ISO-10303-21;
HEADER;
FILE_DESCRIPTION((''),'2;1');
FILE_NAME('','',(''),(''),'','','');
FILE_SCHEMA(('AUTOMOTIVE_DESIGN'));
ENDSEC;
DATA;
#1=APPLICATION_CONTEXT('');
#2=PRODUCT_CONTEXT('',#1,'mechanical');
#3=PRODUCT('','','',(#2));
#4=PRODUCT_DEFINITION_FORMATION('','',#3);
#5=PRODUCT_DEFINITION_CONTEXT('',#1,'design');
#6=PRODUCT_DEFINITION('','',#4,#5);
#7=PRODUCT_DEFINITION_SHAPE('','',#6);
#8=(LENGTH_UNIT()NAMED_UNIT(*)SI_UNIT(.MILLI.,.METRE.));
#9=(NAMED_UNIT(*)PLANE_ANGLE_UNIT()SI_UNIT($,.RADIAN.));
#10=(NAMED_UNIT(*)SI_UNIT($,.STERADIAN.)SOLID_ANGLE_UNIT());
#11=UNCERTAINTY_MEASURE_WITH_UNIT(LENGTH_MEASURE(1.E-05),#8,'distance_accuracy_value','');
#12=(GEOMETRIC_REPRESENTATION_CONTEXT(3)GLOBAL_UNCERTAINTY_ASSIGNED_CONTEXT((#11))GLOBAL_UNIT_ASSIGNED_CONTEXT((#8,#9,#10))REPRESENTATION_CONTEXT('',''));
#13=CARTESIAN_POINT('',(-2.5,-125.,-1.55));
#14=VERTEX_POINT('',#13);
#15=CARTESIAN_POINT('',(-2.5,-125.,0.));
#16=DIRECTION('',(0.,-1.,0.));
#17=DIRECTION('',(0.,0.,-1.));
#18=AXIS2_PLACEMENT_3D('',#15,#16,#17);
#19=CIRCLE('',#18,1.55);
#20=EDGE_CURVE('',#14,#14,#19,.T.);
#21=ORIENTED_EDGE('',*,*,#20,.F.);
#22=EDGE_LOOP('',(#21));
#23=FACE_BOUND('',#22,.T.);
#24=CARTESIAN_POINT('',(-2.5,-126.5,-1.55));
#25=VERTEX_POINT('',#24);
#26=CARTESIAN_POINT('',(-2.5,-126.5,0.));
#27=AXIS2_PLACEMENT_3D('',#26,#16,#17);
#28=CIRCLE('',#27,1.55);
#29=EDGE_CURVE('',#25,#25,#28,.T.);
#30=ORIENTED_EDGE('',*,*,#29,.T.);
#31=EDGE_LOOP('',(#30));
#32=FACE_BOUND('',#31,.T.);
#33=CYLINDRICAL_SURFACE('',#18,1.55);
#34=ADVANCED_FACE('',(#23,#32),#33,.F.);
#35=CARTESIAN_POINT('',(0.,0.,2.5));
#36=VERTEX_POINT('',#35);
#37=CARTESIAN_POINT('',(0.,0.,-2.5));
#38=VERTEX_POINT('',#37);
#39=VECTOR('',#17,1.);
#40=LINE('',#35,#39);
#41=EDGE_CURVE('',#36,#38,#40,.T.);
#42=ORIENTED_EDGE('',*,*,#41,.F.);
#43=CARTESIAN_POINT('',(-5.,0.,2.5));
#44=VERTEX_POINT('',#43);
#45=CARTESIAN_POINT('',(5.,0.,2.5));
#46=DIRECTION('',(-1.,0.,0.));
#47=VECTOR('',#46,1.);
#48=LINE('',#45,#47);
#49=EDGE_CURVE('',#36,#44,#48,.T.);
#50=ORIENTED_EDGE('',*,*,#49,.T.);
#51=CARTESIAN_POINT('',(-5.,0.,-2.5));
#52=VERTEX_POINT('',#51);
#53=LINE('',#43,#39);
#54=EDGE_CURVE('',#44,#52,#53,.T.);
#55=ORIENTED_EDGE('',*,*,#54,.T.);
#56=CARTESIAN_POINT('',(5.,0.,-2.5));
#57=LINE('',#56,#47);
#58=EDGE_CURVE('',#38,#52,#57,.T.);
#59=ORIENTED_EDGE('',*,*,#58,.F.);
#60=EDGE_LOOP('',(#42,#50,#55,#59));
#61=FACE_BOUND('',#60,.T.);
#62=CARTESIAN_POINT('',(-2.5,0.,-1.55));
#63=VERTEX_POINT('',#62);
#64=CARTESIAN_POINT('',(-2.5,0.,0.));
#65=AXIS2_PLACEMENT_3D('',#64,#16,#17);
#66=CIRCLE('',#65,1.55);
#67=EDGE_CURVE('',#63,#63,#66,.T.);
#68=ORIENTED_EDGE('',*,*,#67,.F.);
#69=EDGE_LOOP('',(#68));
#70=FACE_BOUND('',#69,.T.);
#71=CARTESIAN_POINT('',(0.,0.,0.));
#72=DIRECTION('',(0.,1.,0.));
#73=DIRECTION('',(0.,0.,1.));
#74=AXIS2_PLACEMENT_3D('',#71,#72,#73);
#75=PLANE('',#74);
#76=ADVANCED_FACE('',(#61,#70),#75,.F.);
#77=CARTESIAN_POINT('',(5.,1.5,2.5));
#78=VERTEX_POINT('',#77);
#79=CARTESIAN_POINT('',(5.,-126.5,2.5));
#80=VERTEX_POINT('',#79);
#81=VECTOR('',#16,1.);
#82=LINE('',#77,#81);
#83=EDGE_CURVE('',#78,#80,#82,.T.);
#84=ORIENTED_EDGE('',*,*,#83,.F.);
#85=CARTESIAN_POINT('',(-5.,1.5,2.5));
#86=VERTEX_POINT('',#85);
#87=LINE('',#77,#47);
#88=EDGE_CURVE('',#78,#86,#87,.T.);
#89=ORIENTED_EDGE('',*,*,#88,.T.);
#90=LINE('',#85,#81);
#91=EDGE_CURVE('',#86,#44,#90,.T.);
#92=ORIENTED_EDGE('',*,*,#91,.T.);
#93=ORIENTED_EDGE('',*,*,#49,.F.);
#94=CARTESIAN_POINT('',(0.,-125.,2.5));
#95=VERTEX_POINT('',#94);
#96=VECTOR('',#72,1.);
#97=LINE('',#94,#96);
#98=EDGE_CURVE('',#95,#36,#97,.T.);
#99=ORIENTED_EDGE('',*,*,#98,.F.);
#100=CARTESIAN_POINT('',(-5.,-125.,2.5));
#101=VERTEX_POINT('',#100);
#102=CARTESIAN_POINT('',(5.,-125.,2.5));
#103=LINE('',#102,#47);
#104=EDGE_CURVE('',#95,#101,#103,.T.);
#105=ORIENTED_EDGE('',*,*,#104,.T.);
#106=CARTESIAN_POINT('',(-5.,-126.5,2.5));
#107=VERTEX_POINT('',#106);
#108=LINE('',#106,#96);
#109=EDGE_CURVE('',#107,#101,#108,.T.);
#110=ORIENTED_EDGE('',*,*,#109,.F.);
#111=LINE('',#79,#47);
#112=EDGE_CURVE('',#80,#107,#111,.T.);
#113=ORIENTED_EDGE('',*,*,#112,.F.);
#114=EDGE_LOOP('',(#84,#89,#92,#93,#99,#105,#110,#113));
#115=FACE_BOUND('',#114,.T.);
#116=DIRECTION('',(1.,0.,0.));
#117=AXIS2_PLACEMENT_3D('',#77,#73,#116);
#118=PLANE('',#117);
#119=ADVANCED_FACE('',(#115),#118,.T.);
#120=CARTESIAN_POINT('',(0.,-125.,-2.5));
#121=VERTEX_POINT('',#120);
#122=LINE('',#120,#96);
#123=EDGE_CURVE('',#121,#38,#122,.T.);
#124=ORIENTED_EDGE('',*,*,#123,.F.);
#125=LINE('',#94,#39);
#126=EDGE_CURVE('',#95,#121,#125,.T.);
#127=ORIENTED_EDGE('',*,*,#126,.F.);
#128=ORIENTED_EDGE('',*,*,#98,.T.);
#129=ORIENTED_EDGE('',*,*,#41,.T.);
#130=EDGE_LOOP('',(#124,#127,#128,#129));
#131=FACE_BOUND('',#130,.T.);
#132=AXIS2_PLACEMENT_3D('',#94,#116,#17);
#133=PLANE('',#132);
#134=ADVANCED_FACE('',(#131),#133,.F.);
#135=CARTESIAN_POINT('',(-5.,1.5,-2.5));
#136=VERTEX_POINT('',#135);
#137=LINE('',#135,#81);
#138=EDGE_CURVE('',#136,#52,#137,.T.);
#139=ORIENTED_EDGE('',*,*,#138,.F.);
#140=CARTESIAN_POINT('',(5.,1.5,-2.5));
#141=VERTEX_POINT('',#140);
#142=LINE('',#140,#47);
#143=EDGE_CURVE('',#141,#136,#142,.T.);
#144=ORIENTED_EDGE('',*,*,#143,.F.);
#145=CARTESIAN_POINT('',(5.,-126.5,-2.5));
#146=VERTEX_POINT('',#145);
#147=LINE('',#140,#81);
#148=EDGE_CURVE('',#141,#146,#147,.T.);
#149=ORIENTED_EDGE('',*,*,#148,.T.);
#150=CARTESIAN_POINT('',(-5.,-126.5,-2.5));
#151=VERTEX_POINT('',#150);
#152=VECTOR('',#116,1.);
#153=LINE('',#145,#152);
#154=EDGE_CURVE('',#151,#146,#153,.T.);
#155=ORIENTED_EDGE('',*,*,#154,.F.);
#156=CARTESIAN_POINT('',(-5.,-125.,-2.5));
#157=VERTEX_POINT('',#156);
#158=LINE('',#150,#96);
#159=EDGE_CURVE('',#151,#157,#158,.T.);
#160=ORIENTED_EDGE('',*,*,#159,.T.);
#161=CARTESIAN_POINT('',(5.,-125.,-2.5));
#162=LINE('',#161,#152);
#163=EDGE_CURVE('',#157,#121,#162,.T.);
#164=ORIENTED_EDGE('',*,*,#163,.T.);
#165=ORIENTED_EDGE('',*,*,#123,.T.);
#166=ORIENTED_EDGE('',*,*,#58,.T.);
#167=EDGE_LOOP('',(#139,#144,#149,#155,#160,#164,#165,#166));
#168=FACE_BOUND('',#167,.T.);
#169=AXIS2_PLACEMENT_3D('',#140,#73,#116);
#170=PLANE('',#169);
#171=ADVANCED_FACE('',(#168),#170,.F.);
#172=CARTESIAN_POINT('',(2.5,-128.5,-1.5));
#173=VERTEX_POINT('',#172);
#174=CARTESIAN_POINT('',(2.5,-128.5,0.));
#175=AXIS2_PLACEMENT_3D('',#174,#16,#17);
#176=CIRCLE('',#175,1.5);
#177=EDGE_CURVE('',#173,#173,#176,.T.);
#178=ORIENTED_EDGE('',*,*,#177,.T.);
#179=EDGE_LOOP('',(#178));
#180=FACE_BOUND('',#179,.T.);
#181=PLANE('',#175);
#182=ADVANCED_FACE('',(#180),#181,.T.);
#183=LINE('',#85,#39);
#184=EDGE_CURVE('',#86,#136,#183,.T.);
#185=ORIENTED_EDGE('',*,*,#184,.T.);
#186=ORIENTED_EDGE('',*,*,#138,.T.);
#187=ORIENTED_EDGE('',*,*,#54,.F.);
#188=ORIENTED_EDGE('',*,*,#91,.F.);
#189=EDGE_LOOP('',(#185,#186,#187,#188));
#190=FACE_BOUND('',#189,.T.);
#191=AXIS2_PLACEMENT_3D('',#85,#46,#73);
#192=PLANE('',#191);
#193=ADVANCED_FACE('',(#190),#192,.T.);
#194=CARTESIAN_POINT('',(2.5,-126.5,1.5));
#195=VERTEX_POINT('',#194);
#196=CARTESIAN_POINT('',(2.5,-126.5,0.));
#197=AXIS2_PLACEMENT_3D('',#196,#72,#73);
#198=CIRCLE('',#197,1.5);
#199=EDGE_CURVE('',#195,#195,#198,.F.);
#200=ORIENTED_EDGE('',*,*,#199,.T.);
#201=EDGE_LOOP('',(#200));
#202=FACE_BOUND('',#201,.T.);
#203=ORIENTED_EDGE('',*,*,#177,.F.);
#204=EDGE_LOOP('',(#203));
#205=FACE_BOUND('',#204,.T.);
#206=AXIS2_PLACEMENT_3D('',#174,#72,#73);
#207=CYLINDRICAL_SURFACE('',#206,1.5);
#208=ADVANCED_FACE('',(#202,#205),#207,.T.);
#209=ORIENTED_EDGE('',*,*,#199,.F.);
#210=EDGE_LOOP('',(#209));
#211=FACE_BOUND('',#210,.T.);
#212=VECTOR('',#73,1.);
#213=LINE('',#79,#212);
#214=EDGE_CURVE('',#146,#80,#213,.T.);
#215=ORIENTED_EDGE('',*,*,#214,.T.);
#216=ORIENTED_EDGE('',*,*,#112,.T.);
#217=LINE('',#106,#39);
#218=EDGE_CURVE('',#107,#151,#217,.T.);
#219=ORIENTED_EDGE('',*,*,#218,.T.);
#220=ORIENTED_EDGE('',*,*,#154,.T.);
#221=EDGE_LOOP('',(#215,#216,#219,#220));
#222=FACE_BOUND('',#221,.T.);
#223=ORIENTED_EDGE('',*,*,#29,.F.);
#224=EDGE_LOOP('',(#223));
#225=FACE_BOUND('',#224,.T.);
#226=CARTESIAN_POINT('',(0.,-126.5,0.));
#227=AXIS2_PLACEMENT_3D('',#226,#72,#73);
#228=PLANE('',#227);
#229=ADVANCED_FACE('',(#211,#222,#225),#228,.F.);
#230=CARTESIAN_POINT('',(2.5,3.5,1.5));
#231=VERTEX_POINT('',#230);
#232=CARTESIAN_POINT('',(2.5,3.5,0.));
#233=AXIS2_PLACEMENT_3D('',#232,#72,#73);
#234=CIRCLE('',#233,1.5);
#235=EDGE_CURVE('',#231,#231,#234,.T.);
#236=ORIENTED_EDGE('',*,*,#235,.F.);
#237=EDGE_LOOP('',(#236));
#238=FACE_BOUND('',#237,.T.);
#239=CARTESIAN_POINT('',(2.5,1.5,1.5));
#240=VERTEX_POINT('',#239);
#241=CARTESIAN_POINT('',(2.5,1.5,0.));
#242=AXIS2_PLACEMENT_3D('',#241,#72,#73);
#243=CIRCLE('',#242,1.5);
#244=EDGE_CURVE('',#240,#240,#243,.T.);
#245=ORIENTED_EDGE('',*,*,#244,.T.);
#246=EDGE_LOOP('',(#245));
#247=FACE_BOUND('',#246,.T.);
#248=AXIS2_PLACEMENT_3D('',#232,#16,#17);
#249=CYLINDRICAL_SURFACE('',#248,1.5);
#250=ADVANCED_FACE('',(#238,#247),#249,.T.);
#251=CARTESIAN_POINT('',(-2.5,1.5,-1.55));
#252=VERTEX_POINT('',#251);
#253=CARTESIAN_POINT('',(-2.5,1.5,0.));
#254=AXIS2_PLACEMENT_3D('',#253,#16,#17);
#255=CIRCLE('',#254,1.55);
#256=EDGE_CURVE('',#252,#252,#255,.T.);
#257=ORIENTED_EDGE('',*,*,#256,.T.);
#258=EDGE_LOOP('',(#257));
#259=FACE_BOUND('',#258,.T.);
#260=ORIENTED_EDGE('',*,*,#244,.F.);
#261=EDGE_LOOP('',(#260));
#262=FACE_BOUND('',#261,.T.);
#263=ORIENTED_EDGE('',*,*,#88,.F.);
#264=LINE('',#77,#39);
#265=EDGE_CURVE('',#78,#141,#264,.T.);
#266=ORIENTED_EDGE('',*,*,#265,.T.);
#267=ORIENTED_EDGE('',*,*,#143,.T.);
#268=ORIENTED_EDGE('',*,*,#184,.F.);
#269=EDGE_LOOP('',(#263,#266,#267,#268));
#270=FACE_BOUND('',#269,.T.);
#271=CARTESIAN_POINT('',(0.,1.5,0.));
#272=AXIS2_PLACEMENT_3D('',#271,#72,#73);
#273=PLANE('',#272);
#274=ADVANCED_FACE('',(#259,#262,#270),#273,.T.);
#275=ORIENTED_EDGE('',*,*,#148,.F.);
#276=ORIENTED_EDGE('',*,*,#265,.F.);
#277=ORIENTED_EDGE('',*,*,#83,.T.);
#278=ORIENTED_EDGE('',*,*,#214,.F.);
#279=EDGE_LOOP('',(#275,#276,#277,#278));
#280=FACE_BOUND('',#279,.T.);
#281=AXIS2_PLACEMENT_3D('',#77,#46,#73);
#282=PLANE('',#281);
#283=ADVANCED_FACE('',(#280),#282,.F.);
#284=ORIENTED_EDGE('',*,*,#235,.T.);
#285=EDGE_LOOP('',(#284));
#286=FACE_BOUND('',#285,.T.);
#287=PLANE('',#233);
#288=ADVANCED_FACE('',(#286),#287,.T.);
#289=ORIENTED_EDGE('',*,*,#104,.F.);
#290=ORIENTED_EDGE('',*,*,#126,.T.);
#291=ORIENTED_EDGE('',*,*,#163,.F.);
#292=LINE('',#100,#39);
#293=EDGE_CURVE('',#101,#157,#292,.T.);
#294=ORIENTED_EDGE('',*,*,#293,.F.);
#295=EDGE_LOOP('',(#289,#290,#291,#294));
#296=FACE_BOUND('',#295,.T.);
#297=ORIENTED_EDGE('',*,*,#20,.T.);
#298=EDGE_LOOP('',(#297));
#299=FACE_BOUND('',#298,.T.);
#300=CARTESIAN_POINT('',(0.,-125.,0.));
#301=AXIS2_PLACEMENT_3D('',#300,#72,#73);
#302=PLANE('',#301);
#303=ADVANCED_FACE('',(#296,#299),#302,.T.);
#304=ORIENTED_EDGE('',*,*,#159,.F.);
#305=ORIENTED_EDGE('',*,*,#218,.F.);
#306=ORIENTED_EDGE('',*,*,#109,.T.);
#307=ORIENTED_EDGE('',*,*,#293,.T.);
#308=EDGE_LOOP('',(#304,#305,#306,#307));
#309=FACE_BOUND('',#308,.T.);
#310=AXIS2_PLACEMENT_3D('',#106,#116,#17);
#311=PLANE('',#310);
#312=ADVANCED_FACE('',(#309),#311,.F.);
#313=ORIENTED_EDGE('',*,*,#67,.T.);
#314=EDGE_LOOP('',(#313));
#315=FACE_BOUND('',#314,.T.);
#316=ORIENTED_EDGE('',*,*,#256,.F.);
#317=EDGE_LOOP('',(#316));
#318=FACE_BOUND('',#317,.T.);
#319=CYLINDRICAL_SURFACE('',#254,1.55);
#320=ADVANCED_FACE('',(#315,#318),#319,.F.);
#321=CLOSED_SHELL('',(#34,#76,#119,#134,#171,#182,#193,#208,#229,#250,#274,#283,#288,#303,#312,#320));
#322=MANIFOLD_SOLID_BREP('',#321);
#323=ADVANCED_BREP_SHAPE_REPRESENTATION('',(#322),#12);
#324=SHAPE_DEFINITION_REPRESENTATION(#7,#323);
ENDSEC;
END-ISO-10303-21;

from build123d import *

# Parameters (mm, degrees)
SKETCH_2_W          = 10
SKETCH_2_H          = 5
EXTRUDE_1_DEPTH     = 1.5
SKETCH_3_R          = 1.55
CUT_EXTRUDE_1_DEPTH = 1.5
SKETCH_4_W          = 5
SKETCH_4_H          = 5
EXTRUDE_2_DEPTH     = 125
SKETCH_5_W          = 10
SKETCH_5_H          = 5
EXTRUDE_3_DEPTH     = 1.5
SKETCH_6_R          = 1.55
CUT_EXTRUDE_2_DEPTH = 1.5
SKETCH_7_R          = 1.5
EXTRUDE_4_DEPTH     = 2
EXTRUDE_START       = 2
SKETCH_8_R          = 1.5
EXTRUDE_5_DEPTH     = 2


with BuildPart() as part:
    # 草图2 → 凸台-拉伸1 (new body)
    with BuildSketch(Plane(origin=(0, 0, 0), x_dir=(1, 0, 0), z_dir=(0, 1, 0))):
        Rectangle(SKETCH_2_W, SKETCH_2_H)
    extrude(amount=EXTRUDE_1_DEPTH)

    # 草图3 → 切除-拉伸1 (cut)
    with BuildSketch(Plane.XZ):
        with Locations(Location((-2.5, 0, 0), (0, 0, 270))):
            Circle(SKETCH_3_R)
    extrude(amount=-CUT_EXTRUDE_1_DEPTH, mode=Mode.SUBTRACT)

    # 草图4 → 凸台-拉伸2 (add)
    with BuildSketch(Plane.XZ):
        with Locations((2.5, 0)):
            Rectangle(SKETCH_4_W, SKETCH_4_H)
    extrude(amount=EXTRUDE_2_DEPTH)

    # 草图5 → 凸台-拉伸3 (add)
    with BuildSketch(Plane.XZ.offset(125)):
        Rectangle(SKETCH_5_W, SKETCH_5_H)
    extrude(amount=EXTRUDE_3_DEPTH)

    # 草图6 → 切除-拉伸2 (cut)
    with BuildSketch(Plane.XZ.offset(126.5)):
        with Locations(Location((-2.5, 0, 0), (0, 0, 270))):
            Circle(SKETCH_6_R)
    extrude(amount=-CUT_EXTRUDE_2_DEPTH, mode=Mode.SUBTRACT)

    # 草图7 → 凸台-拉伸4 (add)
    with BuildSketch(Plane(origin=(0, 1.5, 0), x_dir=(1, 0, 0), z_dir=(0, 1, 0))):
        with Locations(Location((2.5, 0, 0), (0, 0, 270))):
            Circle(SKETCH_7_R)
    extrude(amount=EXTRUDE_4_DEPTH)

    # 草图8 → 凸台-拉伸5 (add)
    with BuildSketch(Plane.XZ.offset(126.5).offset(EXTRUDE_START)):
        with Locations(Location((2.5, 0, 0), (0, 0, 90))):
            Circle(SKETCH_8_R)
    extrude(amount=-EXTRUDE_5_DEPTH)


solid = part.part
